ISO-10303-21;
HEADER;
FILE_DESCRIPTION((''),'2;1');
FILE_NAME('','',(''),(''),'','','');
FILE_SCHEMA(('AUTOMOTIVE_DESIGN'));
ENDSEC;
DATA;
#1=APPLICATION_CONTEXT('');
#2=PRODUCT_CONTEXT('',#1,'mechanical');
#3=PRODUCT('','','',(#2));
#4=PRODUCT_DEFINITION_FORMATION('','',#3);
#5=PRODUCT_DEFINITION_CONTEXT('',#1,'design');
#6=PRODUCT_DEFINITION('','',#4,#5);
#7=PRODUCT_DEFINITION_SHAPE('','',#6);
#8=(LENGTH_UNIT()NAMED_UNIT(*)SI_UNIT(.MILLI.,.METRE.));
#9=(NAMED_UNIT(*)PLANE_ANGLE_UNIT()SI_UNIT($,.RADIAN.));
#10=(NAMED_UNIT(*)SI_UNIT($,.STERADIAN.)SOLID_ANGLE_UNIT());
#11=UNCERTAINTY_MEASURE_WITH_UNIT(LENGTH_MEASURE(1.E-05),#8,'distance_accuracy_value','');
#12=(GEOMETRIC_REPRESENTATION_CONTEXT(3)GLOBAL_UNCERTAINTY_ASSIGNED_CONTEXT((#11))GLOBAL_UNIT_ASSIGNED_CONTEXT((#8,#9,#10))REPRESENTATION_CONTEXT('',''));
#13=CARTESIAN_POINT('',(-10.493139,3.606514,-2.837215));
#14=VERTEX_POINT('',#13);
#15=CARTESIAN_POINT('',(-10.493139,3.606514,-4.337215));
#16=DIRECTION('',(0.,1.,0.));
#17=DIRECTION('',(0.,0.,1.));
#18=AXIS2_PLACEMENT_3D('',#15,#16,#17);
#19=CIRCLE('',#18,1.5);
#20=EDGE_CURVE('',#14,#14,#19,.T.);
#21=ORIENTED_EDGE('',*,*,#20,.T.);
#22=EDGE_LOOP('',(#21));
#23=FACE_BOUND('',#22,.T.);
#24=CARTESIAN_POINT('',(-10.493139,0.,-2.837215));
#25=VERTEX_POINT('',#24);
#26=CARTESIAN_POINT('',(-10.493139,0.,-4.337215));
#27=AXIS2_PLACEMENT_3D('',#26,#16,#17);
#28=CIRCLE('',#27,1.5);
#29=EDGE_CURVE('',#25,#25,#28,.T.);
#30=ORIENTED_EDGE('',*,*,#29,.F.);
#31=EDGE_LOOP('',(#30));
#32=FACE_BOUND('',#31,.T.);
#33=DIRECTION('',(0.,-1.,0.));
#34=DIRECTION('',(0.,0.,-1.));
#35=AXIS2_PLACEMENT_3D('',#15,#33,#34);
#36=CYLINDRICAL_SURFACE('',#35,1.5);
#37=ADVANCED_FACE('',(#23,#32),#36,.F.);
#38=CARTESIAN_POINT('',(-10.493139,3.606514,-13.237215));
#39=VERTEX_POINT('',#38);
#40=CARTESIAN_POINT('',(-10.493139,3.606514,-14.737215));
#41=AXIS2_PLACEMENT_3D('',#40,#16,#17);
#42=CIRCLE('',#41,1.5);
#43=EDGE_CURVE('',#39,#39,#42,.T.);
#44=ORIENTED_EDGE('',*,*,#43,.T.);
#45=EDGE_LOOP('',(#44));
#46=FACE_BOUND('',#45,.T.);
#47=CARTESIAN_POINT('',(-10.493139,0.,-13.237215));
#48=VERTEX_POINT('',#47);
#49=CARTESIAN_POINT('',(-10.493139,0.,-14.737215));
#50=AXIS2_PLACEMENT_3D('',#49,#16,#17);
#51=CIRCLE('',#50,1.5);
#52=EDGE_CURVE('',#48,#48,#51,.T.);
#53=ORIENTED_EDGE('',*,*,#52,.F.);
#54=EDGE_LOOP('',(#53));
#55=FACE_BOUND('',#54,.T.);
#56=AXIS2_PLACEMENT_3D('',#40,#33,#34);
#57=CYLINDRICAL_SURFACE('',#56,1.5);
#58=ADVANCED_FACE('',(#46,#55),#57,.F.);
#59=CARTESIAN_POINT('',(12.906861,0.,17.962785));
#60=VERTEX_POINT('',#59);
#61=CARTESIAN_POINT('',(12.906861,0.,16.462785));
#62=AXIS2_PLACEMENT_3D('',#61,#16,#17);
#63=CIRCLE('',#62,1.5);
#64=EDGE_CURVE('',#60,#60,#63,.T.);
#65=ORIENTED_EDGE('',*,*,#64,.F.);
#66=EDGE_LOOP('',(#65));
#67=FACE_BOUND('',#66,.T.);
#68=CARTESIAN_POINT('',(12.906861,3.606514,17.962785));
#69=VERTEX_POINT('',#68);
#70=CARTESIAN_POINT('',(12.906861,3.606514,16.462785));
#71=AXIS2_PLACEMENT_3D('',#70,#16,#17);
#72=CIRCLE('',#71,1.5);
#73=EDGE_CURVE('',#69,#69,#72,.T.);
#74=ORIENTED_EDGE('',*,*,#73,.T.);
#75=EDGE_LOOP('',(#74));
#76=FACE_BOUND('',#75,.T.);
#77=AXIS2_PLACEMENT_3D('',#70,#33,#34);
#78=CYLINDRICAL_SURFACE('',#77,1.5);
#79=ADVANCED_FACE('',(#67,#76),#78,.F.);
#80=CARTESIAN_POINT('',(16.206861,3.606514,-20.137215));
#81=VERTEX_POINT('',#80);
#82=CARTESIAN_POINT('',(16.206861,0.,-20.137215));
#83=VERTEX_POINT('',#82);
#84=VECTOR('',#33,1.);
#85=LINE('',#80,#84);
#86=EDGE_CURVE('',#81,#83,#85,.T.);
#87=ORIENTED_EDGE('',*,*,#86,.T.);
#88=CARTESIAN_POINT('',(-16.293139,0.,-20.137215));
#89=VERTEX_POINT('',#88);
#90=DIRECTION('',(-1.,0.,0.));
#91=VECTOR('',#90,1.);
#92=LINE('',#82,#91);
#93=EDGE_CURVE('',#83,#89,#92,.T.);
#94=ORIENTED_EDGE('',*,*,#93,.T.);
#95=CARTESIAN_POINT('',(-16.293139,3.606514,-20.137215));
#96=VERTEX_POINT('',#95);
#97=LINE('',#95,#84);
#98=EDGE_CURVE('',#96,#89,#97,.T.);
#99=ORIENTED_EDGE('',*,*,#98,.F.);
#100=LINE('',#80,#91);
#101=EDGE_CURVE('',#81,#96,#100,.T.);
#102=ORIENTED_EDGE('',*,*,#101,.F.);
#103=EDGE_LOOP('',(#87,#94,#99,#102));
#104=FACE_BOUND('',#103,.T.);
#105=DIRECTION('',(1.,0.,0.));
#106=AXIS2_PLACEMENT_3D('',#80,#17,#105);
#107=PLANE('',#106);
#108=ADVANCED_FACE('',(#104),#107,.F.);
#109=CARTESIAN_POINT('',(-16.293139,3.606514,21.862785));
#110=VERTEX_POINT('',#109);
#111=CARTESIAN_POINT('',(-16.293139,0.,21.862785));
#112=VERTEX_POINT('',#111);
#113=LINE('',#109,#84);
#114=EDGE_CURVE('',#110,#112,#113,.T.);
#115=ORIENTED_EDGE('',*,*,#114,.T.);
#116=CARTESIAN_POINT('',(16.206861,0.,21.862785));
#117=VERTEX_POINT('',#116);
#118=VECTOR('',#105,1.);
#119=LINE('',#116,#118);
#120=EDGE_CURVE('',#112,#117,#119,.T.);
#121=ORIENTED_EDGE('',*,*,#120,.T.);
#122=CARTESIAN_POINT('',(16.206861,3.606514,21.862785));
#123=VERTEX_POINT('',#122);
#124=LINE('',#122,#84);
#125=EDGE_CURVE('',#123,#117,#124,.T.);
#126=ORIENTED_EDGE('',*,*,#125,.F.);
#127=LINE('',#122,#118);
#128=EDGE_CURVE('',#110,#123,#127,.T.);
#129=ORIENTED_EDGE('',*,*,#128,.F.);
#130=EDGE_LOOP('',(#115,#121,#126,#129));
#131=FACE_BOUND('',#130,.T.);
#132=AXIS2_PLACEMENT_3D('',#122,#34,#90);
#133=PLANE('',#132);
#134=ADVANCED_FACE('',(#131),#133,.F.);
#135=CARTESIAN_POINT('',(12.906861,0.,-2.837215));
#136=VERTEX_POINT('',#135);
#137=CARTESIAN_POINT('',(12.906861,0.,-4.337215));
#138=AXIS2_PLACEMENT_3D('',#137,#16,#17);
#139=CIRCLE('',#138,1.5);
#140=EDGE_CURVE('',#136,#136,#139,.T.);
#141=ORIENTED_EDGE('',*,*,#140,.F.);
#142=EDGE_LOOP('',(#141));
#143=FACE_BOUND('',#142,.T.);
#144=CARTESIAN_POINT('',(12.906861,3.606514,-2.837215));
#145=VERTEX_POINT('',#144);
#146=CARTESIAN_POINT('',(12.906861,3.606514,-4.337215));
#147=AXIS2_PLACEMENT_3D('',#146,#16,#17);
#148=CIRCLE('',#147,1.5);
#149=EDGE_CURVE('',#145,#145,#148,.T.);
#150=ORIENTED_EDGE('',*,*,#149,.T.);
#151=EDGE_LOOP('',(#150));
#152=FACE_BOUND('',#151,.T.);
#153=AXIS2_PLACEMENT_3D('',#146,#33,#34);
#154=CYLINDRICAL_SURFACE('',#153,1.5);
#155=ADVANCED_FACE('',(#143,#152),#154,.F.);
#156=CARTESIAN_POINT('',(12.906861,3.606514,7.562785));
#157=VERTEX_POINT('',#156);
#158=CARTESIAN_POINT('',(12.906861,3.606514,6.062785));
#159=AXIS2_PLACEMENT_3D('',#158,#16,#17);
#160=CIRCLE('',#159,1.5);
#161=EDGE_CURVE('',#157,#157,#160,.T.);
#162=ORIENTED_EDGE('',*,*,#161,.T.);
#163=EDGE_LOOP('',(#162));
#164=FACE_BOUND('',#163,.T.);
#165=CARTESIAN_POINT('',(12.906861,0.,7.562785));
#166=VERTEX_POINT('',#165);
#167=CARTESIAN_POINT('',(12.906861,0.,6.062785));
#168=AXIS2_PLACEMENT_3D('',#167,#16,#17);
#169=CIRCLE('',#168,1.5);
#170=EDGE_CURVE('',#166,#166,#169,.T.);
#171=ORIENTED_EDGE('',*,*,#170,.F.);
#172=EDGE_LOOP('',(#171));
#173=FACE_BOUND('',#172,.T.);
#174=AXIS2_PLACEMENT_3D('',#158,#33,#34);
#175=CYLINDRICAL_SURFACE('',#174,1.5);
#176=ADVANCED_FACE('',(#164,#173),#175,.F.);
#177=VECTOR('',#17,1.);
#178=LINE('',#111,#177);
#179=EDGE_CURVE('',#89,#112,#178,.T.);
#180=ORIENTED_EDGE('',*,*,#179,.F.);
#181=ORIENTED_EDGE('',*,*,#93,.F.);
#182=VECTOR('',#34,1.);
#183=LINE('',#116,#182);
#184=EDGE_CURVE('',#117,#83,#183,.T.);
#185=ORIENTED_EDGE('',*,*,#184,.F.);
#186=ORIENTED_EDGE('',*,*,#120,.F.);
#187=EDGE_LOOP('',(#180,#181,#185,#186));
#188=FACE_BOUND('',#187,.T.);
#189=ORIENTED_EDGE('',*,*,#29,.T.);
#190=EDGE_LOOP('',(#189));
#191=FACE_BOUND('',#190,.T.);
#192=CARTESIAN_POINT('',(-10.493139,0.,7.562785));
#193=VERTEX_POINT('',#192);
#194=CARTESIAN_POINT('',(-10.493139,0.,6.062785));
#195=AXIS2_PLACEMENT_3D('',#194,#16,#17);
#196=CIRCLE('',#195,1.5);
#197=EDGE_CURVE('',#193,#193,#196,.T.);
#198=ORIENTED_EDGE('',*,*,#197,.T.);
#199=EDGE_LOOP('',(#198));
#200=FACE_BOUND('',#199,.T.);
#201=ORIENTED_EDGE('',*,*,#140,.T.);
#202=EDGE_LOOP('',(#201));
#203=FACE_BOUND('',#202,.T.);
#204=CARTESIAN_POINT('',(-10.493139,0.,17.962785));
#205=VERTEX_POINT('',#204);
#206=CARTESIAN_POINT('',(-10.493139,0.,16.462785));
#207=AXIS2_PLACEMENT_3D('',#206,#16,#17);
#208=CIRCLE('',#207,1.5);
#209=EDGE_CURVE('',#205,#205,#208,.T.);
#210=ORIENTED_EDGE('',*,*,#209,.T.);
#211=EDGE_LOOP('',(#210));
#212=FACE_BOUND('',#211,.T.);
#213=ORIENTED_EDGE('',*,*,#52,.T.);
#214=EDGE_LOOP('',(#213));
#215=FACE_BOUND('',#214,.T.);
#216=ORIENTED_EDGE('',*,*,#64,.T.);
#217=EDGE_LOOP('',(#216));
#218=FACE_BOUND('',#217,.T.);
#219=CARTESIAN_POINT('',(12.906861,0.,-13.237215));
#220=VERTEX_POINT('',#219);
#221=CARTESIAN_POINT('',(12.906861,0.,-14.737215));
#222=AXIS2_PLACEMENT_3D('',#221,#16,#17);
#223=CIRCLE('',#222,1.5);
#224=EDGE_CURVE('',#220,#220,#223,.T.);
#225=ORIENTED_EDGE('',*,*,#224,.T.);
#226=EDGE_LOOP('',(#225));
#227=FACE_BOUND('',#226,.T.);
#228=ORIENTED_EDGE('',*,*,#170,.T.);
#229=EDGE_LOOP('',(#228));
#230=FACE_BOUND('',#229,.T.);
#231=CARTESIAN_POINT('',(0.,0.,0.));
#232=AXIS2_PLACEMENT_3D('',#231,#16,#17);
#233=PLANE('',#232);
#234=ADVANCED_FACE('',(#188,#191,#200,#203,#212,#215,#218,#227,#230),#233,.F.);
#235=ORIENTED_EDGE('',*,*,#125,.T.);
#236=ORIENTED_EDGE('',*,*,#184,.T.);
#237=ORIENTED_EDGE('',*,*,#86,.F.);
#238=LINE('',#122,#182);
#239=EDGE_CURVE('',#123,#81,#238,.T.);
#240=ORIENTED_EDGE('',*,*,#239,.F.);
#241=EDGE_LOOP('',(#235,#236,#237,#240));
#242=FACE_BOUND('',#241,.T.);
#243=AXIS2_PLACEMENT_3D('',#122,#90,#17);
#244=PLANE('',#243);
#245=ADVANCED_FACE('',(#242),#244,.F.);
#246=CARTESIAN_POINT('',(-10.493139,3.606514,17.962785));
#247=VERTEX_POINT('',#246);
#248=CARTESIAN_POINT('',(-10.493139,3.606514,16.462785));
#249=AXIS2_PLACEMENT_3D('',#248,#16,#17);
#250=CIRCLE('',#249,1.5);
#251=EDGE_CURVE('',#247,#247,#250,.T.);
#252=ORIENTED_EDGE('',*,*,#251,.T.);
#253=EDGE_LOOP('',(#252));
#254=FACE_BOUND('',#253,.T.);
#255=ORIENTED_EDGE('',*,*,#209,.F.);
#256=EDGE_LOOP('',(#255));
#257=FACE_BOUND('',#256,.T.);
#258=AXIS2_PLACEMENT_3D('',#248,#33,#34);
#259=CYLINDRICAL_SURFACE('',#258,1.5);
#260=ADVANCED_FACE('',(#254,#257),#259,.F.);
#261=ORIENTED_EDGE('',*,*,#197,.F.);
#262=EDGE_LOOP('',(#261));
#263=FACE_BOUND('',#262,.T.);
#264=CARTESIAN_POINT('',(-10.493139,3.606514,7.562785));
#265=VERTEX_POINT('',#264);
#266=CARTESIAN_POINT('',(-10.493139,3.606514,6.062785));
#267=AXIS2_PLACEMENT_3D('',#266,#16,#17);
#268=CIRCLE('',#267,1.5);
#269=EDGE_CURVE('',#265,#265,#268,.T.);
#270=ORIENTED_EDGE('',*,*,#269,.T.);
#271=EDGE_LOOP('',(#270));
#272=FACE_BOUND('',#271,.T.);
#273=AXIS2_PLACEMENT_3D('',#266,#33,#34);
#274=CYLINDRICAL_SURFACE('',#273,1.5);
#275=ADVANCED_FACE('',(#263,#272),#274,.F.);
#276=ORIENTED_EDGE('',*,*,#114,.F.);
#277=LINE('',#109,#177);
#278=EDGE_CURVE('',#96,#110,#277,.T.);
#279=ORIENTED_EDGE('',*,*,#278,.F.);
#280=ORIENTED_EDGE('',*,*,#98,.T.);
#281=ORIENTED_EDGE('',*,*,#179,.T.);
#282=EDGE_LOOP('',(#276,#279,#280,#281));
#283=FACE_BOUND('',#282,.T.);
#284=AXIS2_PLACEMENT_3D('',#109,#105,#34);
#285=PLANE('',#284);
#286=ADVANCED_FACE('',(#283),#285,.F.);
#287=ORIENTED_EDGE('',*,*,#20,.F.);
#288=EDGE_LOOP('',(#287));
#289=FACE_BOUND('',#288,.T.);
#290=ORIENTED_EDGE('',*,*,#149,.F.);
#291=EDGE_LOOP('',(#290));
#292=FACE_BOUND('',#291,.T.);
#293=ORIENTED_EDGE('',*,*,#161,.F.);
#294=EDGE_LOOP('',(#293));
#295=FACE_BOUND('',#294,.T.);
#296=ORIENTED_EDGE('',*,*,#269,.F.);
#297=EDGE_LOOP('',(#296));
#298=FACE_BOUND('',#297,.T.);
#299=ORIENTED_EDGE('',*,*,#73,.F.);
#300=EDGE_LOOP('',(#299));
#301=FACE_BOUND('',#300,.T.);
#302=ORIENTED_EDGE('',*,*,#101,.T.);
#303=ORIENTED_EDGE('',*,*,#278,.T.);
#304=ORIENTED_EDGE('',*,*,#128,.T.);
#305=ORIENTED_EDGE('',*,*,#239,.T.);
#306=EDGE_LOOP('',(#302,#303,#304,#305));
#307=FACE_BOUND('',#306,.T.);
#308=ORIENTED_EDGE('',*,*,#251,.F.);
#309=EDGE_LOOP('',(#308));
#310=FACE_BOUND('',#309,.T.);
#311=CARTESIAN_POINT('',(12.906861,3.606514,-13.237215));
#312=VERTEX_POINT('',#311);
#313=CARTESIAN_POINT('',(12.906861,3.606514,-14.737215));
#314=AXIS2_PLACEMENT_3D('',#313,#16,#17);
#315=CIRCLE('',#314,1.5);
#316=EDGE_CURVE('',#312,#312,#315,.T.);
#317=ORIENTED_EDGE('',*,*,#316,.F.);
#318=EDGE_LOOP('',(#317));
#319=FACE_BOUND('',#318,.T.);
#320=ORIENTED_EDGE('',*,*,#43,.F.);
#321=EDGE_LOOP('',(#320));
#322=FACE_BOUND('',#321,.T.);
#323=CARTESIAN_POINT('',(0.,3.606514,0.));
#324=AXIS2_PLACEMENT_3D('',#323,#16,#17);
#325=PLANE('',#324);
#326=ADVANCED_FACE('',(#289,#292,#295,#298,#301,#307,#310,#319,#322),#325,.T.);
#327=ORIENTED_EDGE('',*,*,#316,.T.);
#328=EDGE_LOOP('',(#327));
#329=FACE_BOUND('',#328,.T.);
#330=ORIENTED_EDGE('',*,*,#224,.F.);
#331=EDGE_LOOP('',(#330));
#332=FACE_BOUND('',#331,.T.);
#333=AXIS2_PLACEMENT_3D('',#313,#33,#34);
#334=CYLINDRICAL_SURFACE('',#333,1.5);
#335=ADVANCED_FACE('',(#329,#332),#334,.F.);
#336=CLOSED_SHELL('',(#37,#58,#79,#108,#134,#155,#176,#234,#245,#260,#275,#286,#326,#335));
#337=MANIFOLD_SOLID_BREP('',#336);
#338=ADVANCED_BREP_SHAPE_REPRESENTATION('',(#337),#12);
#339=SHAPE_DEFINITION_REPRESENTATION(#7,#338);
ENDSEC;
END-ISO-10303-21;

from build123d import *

# Parameters (mm, degrees)
SKETCH_1_W      = 32.5
SKETCH_1_H      = 42
SKETCH_1_R      = 1.5
EXTRUDE_1_DEPTH = 3.606514


with BuildPart() as part:
    # Эскиз1 → Бобышка-Вытянуть1 (new body)
    with BuildSketch(Plane(origin=(0, 0, 0), x_dir=(1, 0, 0), z_dir=(0, 1, 0))):
        with Locations((-0.043139262, -0.862785246)):
            Rectangle(SKETCH_1_W, SKETCH_1_H)
        with Locations(Location((12.906860738, 14.737214754, 0), (0, 0, 270))):
            Circle(SKETCH_1_R, mode=Mode.SUBTRACT)
        with Locations(Location((12.906860738, 4.337214754, 0), (0, 0, 270))):
            Circle(SKETCH_1_R, mode=Mode.SUBTRACT)
        with Locations(Location((12.906860738, -6.062785246, 0), (0, 0, 270))):
            Circle(SKETCH_1_R, mode=Mode.SUBTRACT)
        with Locations(Location((12.906860738, -16.462785246, 0), (0, 0, 270))):
            Circle(SKETCH_1_R, mode=Mode.SUBTRACT)
        with Locations(Location((-10.493139262, 14.737214754, 0), (0, 0, 270))):
            Circle(SKETCH_1_R, mode=Mode.SUBTRACT)
        with Locations(Location((-10.493139262, 4.337214754, 0), (0, 0, 270))):
            Circle(SKETCH_1_R, mode=Mode.SUBTRACT)
        with Locations(Location((-10.493139262, -16.462785246, 0), (0, 0, 270))):
            Circle(SKETCH_1_R, mode=Mode.SUBTRACT)
        with Locations(Location((-10.493139262, -6.062785246, 0), (0, 0, 270))):
            Circle(SKETCH_1_R, mode=Mode.SUBTRACT)
    extrude(amount=EXTRUDE_1_DEPTH)


solid = part.part
